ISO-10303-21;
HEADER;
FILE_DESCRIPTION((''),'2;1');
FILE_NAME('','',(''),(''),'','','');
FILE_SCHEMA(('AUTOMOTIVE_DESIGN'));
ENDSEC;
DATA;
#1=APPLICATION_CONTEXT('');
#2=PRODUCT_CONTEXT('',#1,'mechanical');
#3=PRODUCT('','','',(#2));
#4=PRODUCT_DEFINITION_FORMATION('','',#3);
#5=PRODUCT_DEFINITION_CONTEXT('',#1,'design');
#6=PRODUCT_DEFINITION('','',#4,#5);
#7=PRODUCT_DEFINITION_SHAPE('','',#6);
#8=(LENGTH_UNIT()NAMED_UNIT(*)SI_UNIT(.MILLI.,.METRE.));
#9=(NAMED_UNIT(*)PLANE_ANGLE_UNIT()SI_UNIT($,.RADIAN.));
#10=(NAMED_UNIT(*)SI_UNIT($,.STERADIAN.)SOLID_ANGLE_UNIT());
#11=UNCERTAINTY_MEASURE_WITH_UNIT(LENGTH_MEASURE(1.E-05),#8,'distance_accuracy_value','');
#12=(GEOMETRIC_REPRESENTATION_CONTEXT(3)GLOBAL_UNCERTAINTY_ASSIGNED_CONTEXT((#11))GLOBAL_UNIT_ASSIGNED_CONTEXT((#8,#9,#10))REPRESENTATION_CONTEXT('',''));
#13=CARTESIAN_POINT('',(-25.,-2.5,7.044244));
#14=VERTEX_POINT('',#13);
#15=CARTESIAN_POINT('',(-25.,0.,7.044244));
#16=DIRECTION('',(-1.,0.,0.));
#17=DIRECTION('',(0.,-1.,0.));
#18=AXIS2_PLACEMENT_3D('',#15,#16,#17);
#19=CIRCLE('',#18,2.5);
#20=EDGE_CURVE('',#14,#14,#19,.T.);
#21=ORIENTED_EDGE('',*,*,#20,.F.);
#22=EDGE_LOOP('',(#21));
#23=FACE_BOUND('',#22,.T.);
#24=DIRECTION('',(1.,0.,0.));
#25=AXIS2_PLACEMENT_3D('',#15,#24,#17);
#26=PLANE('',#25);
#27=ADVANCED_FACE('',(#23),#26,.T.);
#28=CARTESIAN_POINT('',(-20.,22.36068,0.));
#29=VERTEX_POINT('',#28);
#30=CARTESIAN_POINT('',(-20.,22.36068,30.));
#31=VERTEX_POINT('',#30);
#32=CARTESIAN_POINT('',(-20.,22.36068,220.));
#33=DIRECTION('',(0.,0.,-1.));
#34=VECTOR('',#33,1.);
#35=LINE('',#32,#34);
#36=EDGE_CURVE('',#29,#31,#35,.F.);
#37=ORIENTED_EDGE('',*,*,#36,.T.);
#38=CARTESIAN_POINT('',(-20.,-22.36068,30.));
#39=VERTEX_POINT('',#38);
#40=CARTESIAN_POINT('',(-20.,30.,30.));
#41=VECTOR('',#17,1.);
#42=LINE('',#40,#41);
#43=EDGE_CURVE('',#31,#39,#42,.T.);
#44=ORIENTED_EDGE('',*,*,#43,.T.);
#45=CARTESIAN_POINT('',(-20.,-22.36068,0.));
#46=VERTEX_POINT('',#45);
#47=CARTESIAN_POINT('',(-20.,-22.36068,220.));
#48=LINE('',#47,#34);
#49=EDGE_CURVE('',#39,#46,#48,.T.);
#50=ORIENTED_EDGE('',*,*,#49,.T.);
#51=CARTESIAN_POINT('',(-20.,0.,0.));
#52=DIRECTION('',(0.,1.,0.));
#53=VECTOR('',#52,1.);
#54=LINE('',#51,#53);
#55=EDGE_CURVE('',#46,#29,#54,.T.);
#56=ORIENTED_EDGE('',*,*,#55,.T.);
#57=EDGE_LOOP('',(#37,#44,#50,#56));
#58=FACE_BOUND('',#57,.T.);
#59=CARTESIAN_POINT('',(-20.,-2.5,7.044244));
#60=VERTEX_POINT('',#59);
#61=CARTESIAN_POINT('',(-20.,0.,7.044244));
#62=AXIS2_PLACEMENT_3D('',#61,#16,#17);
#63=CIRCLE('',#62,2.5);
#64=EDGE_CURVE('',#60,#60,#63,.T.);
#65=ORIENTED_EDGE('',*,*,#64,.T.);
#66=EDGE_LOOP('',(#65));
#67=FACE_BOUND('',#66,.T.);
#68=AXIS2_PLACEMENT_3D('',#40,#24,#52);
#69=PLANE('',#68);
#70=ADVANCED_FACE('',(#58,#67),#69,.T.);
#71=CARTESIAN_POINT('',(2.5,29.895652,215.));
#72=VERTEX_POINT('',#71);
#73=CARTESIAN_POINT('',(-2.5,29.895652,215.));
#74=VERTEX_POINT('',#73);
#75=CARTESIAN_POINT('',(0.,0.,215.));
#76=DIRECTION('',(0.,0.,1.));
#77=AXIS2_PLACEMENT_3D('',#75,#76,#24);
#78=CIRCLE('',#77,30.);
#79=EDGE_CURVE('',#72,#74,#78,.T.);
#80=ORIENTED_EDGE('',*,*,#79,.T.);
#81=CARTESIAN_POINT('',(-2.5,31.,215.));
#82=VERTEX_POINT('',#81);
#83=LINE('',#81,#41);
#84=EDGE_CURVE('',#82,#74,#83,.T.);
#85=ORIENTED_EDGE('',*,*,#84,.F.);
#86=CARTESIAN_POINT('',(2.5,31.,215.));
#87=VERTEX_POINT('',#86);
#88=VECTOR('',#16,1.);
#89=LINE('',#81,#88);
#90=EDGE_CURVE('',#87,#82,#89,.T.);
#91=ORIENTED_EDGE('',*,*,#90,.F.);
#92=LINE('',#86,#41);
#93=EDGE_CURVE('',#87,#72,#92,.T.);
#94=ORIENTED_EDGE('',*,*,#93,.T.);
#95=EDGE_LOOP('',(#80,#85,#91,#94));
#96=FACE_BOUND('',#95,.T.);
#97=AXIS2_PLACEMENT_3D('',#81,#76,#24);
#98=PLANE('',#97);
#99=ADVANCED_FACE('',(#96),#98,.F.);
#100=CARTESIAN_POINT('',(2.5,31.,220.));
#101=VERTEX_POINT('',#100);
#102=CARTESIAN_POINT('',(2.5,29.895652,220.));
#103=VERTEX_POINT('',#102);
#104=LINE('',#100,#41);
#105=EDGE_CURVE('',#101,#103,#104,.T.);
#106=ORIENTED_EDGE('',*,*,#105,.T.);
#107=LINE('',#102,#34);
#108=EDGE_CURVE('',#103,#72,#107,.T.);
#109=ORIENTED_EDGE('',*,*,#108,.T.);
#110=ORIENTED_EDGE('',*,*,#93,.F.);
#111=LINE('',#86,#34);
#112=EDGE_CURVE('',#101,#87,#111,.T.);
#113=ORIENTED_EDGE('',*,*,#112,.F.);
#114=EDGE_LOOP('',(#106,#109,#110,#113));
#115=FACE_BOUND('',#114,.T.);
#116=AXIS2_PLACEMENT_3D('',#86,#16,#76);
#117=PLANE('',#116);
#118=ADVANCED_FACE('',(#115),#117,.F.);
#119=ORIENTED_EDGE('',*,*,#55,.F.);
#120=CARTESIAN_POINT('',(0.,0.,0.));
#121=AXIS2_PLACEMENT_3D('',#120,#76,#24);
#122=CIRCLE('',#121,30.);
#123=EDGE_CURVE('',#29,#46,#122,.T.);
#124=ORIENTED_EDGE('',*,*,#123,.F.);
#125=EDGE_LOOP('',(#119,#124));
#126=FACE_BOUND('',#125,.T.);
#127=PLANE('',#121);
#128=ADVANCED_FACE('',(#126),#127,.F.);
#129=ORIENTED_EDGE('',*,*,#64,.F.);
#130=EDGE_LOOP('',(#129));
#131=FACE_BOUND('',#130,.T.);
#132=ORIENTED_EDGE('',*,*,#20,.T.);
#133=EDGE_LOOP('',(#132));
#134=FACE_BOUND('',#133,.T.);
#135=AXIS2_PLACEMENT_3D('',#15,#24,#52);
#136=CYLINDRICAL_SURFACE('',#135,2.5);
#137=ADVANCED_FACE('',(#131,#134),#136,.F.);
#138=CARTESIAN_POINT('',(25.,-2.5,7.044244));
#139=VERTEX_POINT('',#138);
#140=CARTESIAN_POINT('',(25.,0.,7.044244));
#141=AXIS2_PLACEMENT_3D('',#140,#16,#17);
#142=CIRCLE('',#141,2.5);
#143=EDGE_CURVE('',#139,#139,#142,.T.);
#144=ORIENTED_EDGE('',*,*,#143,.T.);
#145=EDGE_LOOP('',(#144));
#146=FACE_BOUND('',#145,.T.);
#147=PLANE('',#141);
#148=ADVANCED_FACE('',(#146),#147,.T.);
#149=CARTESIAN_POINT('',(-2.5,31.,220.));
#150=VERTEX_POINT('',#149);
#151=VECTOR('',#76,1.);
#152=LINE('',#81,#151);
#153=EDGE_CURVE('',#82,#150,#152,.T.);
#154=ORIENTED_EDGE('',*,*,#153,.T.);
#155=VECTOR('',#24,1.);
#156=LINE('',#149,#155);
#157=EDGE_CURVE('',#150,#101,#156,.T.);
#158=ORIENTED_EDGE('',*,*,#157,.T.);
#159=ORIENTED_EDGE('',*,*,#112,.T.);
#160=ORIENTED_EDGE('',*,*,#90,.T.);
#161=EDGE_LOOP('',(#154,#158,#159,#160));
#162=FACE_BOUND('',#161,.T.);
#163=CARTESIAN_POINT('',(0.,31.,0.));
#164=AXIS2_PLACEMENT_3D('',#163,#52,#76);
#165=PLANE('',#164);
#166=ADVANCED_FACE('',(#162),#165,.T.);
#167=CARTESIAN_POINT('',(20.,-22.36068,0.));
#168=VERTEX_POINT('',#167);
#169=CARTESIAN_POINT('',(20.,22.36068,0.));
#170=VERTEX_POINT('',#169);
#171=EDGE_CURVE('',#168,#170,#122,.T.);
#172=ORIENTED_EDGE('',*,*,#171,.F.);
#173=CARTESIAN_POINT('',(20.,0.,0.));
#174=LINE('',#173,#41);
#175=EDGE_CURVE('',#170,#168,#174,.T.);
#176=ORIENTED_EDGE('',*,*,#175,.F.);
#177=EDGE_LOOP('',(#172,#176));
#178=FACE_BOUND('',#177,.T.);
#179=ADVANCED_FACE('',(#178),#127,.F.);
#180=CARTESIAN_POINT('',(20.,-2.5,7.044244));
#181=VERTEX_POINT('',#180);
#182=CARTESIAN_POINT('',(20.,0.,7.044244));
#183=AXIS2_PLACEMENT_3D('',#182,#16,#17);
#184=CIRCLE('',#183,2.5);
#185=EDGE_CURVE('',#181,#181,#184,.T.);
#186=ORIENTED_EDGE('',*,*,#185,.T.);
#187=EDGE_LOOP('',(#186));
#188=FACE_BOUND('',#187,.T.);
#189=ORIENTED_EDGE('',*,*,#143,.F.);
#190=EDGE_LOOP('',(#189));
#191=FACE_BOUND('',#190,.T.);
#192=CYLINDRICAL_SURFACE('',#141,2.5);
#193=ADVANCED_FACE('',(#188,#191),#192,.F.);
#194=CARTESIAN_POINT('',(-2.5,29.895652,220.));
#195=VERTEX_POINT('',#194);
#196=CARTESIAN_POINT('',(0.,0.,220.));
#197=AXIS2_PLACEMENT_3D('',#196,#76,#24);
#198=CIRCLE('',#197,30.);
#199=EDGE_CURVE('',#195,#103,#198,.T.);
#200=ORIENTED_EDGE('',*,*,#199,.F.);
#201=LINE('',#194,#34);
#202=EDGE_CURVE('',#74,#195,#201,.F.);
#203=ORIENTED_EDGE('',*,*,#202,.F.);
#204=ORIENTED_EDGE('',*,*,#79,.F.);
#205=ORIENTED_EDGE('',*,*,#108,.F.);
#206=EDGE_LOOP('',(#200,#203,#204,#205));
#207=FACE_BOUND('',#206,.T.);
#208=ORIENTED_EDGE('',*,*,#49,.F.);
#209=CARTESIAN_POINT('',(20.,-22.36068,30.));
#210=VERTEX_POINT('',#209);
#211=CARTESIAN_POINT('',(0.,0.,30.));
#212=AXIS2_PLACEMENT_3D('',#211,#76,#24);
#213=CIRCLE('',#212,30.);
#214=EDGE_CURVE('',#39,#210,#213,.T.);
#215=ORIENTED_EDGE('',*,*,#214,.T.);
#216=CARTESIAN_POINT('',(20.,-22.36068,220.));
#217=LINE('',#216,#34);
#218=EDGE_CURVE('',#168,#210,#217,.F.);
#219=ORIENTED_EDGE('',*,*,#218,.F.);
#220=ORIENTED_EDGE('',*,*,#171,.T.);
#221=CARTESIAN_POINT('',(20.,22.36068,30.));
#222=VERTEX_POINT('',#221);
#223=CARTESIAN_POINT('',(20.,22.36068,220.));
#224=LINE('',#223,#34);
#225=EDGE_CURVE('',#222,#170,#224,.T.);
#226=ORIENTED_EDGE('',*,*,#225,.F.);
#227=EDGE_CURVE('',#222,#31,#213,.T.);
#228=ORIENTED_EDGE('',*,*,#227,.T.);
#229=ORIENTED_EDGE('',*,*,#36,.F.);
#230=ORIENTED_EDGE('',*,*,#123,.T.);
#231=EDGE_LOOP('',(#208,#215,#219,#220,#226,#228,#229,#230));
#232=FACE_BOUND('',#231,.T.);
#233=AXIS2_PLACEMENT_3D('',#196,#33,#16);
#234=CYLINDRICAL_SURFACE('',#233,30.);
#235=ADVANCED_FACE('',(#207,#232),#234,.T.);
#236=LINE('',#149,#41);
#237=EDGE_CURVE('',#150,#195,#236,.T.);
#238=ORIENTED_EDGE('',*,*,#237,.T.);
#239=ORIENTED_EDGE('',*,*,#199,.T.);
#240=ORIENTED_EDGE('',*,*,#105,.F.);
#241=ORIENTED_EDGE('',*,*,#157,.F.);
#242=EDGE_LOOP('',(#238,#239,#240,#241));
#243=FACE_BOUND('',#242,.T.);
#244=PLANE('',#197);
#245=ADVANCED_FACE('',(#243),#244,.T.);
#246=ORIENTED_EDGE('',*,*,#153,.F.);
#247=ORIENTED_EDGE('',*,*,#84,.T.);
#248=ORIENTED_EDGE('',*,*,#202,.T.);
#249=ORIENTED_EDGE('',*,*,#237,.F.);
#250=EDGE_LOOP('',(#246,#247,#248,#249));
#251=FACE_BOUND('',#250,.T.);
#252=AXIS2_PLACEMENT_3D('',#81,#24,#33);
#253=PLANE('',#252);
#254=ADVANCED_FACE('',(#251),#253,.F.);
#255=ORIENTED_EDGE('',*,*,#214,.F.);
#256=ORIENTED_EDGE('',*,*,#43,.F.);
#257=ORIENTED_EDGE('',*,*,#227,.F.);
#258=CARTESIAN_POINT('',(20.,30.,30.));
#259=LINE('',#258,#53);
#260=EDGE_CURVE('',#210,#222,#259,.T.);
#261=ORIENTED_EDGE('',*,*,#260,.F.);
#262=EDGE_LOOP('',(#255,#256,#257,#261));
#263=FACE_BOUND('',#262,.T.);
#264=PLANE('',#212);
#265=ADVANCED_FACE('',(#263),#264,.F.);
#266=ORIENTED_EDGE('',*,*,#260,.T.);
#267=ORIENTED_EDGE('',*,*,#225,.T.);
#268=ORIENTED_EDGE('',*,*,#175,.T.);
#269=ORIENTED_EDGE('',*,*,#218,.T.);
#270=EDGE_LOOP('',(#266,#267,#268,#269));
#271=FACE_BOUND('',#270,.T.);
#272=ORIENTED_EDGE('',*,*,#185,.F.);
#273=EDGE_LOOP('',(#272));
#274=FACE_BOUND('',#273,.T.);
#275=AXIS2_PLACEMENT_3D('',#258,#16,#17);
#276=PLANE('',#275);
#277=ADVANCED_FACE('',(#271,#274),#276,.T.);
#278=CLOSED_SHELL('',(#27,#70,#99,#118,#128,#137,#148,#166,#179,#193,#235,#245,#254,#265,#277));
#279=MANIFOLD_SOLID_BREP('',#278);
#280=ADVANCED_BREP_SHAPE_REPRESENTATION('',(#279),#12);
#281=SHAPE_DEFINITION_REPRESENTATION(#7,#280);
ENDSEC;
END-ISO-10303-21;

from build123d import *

# Parameters (mm, degrees)
SKETCH1_R           = 30
BOSS_EXTRUDE1_DEPTH = 220
SKETCH2_W           = 40
SKETCH2_H           = 60
CUT_EXTRUDE1_DEPTH  = 30
SKETCH3_R           = 2.5
CUT_EXTRUDE3_DEPTH  = 5
SKETCH4_W           = 5
SKETCH4_H           = 5
BOSS_EXTRUDE2_DEPTH = 31


with BuildPart() as part:
    # Sketch1 → Boss-Extrude1 (new body)
    with BuildSketch(Plane.XY):
        Circle(SKETCH1_R)
    extrude(amount=BOSS_EXTRUDE1_DEPTH)

    # Sketch2 → Cut-Extrude1 (cut)
    with BuildSketch(Plane.XY):
        Rectangle(SKETCH2_W, SKETCH2_H)
    extrude(amount=CUT_EXTRUDE1_DEPTH, mode=Mode.SUBTRACT)

    # Sketch3 → Cut-Extrude3 (cut)
    with BuildSketch(Plane.ZY.offset(-20)):
        with Locations((7.04424443, 0)):
            Circle(SKETCH3_R)
    cut_extrude3 = extrude(amount=-CUT_EXTRUDE3_DEPTH, mode=Mode.SUBTRACT)

    # Mirror1: Cut-Extrude3 across plane
    add(cut_extrude3.mirror(Plane.ZY), mode=Mode.SUBTRACT)

    # Sketch4 → Boss-Extrude2 (add)
    with BuildSketch(Plane(origin=(0, 0, 0), x_dir=(1, 0, 0), z_dir=(0, 1, 0))):
        with Locations((0, -217.5)):
            Rectangle(SKETCH4_W, SKETCH4_H)
    extrude(amount=BOSS_EXTRUDE2_DEPTH)


solid = part.part
